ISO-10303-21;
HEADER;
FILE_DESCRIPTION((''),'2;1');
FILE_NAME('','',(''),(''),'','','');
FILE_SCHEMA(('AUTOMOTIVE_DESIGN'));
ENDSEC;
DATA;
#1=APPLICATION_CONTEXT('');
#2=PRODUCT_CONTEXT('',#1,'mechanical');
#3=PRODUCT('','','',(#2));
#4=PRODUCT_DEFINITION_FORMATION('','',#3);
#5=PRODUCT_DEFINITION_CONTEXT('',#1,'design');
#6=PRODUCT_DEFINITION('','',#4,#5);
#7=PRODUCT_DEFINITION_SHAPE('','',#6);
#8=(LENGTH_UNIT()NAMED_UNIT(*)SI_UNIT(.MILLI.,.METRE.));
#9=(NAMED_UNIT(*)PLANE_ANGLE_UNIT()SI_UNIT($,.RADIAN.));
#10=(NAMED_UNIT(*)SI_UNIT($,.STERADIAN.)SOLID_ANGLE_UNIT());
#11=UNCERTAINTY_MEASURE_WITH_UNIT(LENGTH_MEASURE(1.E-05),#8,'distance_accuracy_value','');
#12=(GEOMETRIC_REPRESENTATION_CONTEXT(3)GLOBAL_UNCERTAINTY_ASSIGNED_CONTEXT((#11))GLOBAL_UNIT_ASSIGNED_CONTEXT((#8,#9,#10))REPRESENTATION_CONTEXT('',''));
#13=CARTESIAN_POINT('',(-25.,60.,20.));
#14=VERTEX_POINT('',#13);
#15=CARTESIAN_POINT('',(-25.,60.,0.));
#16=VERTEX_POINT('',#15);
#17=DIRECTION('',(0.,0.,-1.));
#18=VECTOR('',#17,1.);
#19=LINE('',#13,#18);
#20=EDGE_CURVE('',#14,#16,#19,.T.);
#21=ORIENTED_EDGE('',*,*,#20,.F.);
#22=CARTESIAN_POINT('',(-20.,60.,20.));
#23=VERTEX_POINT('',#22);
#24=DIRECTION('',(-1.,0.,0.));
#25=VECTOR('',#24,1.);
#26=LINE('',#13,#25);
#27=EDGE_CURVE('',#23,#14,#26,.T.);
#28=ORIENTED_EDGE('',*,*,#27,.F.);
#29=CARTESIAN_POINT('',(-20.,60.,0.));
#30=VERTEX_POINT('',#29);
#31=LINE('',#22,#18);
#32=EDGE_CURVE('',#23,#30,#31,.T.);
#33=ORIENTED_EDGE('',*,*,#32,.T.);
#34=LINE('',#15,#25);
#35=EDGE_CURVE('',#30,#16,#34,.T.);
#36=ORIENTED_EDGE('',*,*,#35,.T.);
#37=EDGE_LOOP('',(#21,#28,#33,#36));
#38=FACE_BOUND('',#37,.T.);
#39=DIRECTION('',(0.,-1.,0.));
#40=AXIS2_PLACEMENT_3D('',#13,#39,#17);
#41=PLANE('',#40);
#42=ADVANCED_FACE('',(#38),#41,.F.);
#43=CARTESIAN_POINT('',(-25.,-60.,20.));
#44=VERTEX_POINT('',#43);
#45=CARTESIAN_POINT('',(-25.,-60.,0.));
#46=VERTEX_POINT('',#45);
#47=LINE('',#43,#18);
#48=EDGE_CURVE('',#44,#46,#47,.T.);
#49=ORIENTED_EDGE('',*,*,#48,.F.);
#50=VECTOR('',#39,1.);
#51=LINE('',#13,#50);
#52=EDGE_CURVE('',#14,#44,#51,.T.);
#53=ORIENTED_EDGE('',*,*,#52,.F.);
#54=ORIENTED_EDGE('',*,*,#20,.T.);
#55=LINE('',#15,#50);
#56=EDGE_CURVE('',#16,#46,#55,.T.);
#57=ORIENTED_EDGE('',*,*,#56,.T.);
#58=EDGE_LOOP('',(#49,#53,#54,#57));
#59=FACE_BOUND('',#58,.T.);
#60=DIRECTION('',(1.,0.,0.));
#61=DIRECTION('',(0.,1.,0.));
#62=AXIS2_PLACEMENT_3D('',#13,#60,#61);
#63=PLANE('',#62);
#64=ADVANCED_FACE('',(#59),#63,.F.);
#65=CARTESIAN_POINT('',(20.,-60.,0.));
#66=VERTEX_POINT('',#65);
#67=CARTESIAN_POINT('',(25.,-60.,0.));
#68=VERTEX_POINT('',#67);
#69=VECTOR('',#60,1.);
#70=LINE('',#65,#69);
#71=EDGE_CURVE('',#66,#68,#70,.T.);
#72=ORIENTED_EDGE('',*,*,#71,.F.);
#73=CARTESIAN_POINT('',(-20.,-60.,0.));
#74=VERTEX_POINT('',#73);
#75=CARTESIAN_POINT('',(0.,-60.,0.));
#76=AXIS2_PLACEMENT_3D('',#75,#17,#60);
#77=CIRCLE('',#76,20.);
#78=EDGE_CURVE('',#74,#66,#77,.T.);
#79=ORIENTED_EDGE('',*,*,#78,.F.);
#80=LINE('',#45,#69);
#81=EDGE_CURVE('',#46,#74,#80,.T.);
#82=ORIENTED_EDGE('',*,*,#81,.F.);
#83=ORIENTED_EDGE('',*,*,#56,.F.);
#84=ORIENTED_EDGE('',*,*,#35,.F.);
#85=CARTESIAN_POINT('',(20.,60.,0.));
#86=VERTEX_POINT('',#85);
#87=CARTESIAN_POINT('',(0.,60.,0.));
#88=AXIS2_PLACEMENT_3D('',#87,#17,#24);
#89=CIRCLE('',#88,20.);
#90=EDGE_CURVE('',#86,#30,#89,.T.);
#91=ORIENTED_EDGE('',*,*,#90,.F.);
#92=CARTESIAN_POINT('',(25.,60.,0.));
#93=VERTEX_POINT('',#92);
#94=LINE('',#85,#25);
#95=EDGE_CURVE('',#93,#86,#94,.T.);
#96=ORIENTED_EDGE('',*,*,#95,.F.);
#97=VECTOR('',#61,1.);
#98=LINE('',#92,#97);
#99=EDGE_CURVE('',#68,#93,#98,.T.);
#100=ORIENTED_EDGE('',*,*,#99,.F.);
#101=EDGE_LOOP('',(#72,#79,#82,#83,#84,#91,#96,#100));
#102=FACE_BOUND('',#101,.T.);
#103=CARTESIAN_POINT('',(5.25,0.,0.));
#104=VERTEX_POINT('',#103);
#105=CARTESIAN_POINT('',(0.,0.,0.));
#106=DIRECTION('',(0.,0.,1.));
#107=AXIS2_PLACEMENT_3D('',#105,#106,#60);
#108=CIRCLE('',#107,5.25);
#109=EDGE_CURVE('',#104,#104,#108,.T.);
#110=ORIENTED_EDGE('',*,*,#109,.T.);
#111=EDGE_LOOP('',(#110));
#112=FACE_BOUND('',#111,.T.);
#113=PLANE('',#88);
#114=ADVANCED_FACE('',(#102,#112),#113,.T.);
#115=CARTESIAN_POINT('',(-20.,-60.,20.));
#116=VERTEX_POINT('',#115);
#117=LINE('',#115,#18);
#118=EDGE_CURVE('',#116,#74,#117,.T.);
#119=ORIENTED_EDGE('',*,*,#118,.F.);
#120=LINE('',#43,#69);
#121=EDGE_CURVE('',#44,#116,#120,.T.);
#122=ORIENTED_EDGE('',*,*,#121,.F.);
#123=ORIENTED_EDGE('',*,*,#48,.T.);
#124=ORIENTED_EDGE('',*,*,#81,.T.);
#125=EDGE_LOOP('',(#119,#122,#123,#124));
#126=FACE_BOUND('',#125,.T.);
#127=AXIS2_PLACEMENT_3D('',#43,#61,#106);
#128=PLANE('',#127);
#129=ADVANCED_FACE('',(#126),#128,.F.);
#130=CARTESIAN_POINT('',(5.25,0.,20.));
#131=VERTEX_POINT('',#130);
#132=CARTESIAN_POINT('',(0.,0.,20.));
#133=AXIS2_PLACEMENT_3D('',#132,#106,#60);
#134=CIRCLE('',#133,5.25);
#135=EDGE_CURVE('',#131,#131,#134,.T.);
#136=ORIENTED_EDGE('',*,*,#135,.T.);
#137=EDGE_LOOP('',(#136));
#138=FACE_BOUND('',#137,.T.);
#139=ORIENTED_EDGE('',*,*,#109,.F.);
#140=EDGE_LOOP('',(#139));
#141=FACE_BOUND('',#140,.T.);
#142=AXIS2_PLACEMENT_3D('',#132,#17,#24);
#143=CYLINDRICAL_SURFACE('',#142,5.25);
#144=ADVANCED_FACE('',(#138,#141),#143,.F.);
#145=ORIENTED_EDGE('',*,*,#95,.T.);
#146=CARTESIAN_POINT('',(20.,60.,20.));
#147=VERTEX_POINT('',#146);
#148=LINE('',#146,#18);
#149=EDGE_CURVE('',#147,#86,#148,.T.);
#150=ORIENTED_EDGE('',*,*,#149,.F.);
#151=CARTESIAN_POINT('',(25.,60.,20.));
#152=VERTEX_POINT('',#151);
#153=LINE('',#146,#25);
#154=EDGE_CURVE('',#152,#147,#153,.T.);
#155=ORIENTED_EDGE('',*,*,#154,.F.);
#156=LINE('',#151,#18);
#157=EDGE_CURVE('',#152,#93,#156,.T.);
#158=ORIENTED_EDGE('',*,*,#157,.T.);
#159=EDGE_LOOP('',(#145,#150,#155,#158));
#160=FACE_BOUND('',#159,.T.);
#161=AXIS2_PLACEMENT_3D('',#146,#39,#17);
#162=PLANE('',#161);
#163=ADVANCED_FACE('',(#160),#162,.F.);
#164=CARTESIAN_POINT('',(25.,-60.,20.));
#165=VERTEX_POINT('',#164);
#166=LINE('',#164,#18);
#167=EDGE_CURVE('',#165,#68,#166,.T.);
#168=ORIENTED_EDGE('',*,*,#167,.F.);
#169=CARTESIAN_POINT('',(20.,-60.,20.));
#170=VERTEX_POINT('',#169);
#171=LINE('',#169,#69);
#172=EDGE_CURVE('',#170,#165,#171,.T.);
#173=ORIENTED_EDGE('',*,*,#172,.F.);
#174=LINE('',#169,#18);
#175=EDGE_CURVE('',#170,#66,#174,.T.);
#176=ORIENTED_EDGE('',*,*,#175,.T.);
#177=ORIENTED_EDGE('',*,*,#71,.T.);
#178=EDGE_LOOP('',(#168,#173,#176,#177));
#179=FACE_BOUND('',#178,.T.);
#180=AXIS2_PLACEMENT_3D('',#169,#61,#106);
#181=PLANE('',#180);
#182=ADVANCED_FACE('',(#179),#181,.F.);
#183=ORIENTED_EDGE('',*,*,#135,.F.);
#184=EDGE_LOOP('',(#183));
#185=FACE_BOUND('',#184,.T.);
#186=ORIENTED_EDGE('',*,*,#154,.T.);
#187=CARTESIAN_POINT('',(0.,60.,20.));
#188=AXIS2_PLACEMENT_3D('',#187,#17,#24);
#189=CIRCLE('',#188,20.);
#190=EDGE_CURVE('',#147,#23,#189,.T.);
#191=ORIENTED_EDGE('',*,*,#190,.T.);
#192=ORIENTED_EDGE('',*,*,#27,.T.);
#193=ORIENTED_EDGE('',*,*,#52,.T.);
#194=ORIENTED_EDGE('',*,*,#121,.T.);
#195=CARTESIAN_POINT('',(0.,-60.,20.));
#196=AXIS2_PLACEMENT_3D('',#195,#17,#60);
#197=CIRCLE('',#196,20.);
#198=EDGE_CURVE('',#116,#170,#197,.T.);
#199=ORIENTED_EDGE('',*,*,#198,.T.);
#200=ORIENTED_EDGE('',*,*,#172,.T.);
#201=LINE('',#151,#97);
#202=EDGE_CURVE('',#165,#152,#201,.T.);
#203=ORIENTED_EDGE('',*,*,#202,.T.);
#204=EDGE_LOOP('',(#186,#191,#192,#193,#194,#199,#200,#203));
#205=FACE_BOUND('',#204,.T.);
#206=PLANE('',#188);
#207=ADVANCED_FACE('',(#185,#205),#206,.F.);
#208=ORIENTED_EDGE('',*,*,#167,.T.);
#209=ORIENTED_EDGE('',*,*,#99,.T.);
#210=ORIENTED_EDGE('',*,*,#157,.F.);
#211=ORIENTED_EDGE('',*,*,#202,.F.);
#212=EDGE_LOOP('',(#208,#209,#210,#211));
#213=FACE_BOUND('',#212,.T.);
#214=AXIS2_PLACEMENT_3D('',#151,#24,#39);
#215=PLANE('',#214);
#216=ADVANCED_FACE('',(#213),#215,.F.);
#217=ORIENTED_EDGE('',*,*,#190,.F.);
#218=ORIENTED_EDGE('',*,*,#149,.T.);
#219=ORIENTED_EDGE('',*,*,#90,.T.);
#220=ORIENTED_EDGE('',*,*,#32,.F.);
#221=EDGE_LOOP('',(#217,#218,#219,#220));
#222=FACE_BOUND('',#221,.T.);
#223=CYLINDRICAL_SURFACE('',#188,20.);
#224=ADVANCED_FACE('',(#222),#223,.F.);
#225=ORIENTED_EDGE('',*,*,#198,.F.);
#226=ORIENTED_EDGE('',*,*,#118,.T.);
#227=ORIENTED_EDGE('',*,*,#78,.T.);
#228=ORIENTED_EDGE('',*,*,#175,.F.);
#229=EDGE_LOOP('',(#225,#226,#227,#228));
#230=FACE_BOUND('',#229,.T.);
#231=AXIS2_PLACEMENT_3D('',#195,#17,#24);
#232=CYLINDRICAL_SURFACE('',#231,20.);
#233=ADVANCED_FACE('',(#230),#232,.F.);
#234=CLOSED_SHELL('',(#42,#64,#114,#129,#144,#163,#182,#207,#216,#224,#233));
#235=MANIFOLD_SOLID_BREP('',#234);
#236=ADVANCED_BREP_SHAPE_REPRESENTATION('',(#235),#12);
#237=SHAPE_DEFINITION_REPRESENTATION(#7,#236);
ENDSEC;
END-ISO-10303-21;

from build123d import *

# Parameters (mm, degrees)
SKETCH1_R           = 5.25
BOSS_EXTRUDE1_DEPTH = 20


with BuildPart() as part:
    # Sketch1 → Boss-Extrude1 (new body)
    with BuildSketch(Plane.XY):
        with BuildLine():
            Line((20, 60), (25, 60))
            Line((25, 60), (25, -60))
            Line((25, -60), (20, -60))
            ThreePointArc((20, -60), (0, -40), (-20, -60))
            Line((-20, -60), (-25, -60))
            Line((-25, -60), (-25, 60))
            Line((-25, 60), (-20, 60))
            ThreePointArc((-20, 60), (0, 40), (20, 60))
        make_face()
        Circle(SKETCH1_R, mode=Mode.SUBTRACT)
    extrude(amount=BOSS_EXTRUDE1_DEPTH)


solid = part.part
